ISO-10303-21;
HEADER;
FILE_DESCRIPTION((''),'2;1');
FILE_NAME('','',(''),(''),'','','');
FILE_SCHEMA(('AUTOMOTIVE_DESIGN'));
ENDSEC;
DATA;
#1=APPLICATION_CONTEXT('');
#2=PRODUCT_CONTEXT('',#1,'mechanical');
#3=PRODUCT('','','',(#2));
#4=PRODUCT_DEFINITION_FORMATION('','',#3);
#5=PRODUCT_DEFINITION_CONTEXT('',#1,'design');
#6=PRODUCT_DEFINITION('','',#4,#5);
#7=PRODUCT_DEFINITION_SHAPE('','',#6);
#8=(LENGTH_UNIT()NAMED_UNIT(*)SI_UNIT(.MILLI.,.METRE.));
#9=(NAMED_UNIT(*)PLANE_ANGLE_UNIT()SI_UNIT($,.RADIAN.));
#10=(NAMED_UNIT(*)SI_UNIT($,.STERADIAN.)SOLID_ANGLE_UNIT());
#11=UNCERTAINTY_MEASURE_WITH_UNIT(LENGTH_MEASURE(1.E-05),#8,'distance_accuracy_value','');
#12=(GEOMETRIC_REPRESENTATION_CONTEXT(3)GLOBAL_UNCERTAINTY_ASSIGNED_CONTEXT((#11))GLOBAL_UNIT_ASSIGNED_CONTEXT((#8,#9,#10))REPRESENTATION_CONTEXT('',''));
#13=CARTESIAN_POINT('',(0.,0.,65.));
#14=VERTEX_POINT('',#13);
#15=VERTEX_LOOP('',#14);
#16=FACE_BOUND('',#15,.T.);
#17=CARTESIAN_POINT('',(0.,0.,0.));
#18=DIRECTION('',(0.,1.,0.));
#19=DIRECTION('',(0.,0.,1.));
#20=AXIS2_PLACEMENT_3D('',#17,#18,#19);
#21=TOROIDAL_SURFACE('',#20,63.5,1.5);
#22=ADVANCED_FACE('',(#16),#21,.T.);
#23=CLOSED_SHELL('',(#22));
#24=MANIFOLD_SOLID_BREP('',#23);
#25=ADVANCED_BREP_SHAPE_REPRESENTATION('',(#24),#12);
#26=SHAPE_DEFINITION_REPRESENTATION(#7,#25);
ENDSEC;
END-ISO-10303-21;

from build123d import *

# Parameters (mm, degrees)
SZKIC1_R = 1.5


with BuildPart() as part:
    # Szkic1 → Obrót1 (revolve)
    with BuildSketch(Plane.XY, mode=Mode.PRIVATE) as obr_t1_sk:
        with Locations((-63.5, 0)):
            Circle(SZKIC1_R)
    revolve(obr_t1_sk.sketch.rotate(Axis((0, 16.185657118, 0), (0, -1, 0)), 270), axis=Axis((0, 16.185657118, 0), (0, -1, 0)))


solid = part.part
